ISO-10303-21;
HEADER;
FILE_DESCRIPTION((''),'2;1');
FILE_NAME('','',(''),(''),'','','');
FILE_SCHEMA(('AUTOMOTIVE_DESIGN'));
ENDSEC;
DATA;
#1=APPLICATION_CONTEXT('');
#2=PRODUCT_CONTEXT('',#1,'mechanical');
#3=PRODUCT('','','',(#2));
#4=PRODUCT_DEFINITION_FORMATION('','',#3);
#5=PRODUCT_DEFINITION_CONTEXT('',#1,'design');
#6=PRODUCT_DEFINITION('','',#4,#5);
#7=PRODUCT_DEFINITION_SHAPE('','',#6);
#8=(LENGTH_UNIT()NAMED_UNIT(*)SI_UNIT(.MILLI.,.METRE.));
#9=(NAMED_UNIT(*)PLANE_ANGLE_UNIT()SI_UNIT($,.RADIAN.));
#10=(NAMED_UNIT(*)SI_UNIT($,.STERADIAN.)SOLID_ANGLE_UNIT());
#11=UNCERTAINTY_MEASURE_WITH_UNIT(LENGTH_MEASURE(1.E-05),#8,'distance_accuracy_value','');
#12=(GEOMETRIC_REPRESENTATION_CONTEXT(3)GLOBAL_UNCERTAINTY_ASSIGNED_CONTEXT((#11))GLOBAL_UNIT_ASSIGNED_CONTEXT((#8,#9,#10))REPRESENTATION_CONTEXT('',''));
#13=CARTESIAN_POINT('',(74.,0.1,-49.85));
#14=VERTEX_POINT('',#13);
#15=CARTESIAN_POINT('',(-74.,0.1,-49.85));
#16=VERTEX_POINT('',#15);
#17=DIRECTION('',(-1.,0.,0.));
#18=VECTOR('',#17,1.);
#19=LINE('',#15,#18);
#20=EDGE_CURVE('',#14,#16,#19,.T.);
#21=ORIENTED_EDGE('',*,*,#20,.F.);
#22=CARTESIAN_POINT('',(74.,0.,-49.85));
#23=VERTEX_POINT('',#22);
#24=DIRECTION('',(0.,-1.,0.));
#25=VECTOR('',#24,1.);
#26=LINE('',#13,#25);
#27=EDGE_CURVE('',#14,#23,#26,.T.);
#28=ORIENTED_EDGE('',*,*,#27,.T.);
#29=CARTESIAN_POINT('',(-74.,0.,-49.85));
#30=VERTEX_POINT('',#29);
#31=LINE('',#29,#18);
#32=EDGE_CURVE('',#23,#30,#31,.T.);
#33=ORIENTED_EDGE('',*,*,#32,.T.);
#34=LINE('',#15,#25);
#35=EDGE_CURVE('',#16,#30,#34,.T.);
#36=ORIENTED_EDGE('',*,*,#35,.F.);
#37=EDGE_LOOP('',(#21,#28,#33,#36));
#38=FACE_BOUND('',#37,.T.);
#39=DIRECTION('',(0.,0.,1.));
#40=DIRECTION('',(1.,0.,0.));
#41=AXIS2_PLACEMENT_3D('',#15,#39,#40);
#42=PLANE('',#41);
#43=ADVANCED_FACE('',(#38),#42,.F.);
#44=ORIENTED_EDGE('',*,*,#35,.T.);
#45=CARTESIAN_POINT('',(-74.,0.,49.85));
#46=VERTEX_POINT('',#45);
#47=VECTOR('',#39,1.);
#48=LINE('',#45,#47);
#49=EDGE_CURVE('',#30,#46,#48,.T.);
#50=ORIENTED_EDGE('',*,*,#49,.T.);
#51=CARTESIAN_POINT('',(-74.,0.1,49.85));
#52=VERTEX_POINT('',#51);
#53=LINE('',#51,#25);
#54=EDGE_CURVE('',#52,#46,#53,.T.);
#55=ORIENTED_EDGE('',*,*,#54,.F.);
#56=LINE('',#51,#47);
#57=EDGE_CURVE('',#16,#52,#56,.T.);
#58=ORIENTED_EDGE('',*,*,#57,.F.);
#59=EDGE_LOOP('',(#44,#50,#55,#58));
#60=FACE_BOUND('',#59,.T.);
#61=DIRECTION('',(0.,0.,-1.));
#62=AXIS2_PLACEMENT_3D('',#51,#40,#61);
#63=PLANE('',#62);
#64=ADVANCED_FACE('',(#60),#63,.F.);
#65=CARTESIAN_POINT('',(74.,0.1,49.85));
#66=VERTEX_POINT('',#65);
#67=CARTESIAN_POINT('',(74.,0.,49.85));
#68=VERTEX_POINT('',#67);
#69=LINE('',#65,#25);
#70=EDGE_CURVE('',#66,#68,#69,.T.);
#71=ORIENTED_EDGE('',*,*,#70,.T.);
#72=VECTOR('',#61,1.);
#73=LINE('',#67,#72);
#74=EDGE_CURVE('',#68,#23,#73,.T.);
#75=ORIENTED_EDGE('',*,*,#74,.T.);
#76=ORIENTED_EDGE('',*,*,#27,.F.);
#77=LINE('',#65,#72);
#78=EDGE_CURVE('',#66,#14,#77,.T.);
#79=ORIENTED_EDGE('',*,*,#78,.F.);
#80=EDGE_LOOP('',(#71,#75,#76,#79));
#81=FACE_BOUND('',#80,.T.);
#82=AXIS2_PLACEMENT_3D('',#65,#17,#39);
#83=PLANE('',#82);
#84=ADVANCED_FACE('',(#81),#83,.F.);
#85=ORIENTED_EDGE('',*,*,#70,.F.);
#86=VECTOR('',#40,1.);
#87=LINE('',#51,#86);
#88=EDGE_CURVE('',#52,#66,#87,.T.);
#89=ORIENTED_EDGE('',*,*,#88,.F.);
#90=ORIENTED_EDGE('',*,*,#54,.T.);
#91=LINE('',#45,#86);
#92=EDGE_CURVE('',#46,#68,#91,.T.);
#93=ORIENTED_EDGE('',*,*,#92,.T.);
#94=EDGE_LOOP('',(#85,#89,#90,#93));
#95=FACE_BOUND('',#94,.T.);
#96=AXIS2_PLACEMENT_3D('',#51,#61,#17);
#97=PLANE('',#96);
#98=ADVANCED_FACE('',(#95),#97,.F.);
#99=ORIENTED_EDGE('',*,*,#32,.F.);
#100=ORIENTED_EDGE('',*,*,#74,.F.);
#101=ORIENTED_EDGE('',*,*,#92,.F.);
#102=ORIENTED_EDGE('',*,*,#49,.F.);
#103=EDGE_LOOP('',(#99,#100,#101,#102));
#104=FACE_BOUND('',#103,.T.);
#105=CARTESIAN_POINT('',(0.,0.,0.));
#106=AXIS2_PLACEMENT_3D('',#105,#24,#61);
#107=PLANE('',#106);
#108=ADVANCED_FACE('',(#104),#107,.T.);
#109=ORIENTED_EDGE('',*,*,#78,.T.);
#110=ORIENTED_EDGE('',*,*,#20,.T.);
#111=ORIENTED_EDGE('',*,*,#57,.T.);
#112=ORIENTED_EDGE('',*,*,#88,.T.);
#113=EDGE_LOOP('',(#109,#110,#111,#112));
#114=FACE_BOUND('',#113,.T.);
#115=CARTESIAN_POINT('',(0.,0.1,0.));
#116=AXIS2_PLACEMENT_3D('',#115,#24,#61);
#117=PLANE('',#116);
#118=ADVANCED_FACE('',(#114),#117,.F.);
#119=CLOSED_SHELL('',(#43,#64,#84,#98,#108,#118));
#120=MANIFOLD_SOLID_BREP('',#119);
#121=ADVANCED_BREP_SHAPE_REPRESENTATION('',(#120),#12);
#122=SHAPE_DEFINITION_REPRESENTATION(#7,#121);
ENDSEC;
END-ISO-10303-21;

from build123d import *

# Parameters (mm, degrees)
SKETCH_1_W      = 148
SKETCH_1_H      = 99.7
EXTRUDE_1_DEPTH = 0.1


with BuildPart() as part:
    # 草图1 → 凸台-拉伸1 (new body)
    with BuildSketch(Plane(origin=(0, 0, 0), x_dir=(1, 0, 0), z_dir=(0, 1, 0))):
        Rectangle(SKETCH_1_W, SKETCH_1_H)
    extrude(amount=EXTRUDE_1_DEPTH)


solid = part.part
